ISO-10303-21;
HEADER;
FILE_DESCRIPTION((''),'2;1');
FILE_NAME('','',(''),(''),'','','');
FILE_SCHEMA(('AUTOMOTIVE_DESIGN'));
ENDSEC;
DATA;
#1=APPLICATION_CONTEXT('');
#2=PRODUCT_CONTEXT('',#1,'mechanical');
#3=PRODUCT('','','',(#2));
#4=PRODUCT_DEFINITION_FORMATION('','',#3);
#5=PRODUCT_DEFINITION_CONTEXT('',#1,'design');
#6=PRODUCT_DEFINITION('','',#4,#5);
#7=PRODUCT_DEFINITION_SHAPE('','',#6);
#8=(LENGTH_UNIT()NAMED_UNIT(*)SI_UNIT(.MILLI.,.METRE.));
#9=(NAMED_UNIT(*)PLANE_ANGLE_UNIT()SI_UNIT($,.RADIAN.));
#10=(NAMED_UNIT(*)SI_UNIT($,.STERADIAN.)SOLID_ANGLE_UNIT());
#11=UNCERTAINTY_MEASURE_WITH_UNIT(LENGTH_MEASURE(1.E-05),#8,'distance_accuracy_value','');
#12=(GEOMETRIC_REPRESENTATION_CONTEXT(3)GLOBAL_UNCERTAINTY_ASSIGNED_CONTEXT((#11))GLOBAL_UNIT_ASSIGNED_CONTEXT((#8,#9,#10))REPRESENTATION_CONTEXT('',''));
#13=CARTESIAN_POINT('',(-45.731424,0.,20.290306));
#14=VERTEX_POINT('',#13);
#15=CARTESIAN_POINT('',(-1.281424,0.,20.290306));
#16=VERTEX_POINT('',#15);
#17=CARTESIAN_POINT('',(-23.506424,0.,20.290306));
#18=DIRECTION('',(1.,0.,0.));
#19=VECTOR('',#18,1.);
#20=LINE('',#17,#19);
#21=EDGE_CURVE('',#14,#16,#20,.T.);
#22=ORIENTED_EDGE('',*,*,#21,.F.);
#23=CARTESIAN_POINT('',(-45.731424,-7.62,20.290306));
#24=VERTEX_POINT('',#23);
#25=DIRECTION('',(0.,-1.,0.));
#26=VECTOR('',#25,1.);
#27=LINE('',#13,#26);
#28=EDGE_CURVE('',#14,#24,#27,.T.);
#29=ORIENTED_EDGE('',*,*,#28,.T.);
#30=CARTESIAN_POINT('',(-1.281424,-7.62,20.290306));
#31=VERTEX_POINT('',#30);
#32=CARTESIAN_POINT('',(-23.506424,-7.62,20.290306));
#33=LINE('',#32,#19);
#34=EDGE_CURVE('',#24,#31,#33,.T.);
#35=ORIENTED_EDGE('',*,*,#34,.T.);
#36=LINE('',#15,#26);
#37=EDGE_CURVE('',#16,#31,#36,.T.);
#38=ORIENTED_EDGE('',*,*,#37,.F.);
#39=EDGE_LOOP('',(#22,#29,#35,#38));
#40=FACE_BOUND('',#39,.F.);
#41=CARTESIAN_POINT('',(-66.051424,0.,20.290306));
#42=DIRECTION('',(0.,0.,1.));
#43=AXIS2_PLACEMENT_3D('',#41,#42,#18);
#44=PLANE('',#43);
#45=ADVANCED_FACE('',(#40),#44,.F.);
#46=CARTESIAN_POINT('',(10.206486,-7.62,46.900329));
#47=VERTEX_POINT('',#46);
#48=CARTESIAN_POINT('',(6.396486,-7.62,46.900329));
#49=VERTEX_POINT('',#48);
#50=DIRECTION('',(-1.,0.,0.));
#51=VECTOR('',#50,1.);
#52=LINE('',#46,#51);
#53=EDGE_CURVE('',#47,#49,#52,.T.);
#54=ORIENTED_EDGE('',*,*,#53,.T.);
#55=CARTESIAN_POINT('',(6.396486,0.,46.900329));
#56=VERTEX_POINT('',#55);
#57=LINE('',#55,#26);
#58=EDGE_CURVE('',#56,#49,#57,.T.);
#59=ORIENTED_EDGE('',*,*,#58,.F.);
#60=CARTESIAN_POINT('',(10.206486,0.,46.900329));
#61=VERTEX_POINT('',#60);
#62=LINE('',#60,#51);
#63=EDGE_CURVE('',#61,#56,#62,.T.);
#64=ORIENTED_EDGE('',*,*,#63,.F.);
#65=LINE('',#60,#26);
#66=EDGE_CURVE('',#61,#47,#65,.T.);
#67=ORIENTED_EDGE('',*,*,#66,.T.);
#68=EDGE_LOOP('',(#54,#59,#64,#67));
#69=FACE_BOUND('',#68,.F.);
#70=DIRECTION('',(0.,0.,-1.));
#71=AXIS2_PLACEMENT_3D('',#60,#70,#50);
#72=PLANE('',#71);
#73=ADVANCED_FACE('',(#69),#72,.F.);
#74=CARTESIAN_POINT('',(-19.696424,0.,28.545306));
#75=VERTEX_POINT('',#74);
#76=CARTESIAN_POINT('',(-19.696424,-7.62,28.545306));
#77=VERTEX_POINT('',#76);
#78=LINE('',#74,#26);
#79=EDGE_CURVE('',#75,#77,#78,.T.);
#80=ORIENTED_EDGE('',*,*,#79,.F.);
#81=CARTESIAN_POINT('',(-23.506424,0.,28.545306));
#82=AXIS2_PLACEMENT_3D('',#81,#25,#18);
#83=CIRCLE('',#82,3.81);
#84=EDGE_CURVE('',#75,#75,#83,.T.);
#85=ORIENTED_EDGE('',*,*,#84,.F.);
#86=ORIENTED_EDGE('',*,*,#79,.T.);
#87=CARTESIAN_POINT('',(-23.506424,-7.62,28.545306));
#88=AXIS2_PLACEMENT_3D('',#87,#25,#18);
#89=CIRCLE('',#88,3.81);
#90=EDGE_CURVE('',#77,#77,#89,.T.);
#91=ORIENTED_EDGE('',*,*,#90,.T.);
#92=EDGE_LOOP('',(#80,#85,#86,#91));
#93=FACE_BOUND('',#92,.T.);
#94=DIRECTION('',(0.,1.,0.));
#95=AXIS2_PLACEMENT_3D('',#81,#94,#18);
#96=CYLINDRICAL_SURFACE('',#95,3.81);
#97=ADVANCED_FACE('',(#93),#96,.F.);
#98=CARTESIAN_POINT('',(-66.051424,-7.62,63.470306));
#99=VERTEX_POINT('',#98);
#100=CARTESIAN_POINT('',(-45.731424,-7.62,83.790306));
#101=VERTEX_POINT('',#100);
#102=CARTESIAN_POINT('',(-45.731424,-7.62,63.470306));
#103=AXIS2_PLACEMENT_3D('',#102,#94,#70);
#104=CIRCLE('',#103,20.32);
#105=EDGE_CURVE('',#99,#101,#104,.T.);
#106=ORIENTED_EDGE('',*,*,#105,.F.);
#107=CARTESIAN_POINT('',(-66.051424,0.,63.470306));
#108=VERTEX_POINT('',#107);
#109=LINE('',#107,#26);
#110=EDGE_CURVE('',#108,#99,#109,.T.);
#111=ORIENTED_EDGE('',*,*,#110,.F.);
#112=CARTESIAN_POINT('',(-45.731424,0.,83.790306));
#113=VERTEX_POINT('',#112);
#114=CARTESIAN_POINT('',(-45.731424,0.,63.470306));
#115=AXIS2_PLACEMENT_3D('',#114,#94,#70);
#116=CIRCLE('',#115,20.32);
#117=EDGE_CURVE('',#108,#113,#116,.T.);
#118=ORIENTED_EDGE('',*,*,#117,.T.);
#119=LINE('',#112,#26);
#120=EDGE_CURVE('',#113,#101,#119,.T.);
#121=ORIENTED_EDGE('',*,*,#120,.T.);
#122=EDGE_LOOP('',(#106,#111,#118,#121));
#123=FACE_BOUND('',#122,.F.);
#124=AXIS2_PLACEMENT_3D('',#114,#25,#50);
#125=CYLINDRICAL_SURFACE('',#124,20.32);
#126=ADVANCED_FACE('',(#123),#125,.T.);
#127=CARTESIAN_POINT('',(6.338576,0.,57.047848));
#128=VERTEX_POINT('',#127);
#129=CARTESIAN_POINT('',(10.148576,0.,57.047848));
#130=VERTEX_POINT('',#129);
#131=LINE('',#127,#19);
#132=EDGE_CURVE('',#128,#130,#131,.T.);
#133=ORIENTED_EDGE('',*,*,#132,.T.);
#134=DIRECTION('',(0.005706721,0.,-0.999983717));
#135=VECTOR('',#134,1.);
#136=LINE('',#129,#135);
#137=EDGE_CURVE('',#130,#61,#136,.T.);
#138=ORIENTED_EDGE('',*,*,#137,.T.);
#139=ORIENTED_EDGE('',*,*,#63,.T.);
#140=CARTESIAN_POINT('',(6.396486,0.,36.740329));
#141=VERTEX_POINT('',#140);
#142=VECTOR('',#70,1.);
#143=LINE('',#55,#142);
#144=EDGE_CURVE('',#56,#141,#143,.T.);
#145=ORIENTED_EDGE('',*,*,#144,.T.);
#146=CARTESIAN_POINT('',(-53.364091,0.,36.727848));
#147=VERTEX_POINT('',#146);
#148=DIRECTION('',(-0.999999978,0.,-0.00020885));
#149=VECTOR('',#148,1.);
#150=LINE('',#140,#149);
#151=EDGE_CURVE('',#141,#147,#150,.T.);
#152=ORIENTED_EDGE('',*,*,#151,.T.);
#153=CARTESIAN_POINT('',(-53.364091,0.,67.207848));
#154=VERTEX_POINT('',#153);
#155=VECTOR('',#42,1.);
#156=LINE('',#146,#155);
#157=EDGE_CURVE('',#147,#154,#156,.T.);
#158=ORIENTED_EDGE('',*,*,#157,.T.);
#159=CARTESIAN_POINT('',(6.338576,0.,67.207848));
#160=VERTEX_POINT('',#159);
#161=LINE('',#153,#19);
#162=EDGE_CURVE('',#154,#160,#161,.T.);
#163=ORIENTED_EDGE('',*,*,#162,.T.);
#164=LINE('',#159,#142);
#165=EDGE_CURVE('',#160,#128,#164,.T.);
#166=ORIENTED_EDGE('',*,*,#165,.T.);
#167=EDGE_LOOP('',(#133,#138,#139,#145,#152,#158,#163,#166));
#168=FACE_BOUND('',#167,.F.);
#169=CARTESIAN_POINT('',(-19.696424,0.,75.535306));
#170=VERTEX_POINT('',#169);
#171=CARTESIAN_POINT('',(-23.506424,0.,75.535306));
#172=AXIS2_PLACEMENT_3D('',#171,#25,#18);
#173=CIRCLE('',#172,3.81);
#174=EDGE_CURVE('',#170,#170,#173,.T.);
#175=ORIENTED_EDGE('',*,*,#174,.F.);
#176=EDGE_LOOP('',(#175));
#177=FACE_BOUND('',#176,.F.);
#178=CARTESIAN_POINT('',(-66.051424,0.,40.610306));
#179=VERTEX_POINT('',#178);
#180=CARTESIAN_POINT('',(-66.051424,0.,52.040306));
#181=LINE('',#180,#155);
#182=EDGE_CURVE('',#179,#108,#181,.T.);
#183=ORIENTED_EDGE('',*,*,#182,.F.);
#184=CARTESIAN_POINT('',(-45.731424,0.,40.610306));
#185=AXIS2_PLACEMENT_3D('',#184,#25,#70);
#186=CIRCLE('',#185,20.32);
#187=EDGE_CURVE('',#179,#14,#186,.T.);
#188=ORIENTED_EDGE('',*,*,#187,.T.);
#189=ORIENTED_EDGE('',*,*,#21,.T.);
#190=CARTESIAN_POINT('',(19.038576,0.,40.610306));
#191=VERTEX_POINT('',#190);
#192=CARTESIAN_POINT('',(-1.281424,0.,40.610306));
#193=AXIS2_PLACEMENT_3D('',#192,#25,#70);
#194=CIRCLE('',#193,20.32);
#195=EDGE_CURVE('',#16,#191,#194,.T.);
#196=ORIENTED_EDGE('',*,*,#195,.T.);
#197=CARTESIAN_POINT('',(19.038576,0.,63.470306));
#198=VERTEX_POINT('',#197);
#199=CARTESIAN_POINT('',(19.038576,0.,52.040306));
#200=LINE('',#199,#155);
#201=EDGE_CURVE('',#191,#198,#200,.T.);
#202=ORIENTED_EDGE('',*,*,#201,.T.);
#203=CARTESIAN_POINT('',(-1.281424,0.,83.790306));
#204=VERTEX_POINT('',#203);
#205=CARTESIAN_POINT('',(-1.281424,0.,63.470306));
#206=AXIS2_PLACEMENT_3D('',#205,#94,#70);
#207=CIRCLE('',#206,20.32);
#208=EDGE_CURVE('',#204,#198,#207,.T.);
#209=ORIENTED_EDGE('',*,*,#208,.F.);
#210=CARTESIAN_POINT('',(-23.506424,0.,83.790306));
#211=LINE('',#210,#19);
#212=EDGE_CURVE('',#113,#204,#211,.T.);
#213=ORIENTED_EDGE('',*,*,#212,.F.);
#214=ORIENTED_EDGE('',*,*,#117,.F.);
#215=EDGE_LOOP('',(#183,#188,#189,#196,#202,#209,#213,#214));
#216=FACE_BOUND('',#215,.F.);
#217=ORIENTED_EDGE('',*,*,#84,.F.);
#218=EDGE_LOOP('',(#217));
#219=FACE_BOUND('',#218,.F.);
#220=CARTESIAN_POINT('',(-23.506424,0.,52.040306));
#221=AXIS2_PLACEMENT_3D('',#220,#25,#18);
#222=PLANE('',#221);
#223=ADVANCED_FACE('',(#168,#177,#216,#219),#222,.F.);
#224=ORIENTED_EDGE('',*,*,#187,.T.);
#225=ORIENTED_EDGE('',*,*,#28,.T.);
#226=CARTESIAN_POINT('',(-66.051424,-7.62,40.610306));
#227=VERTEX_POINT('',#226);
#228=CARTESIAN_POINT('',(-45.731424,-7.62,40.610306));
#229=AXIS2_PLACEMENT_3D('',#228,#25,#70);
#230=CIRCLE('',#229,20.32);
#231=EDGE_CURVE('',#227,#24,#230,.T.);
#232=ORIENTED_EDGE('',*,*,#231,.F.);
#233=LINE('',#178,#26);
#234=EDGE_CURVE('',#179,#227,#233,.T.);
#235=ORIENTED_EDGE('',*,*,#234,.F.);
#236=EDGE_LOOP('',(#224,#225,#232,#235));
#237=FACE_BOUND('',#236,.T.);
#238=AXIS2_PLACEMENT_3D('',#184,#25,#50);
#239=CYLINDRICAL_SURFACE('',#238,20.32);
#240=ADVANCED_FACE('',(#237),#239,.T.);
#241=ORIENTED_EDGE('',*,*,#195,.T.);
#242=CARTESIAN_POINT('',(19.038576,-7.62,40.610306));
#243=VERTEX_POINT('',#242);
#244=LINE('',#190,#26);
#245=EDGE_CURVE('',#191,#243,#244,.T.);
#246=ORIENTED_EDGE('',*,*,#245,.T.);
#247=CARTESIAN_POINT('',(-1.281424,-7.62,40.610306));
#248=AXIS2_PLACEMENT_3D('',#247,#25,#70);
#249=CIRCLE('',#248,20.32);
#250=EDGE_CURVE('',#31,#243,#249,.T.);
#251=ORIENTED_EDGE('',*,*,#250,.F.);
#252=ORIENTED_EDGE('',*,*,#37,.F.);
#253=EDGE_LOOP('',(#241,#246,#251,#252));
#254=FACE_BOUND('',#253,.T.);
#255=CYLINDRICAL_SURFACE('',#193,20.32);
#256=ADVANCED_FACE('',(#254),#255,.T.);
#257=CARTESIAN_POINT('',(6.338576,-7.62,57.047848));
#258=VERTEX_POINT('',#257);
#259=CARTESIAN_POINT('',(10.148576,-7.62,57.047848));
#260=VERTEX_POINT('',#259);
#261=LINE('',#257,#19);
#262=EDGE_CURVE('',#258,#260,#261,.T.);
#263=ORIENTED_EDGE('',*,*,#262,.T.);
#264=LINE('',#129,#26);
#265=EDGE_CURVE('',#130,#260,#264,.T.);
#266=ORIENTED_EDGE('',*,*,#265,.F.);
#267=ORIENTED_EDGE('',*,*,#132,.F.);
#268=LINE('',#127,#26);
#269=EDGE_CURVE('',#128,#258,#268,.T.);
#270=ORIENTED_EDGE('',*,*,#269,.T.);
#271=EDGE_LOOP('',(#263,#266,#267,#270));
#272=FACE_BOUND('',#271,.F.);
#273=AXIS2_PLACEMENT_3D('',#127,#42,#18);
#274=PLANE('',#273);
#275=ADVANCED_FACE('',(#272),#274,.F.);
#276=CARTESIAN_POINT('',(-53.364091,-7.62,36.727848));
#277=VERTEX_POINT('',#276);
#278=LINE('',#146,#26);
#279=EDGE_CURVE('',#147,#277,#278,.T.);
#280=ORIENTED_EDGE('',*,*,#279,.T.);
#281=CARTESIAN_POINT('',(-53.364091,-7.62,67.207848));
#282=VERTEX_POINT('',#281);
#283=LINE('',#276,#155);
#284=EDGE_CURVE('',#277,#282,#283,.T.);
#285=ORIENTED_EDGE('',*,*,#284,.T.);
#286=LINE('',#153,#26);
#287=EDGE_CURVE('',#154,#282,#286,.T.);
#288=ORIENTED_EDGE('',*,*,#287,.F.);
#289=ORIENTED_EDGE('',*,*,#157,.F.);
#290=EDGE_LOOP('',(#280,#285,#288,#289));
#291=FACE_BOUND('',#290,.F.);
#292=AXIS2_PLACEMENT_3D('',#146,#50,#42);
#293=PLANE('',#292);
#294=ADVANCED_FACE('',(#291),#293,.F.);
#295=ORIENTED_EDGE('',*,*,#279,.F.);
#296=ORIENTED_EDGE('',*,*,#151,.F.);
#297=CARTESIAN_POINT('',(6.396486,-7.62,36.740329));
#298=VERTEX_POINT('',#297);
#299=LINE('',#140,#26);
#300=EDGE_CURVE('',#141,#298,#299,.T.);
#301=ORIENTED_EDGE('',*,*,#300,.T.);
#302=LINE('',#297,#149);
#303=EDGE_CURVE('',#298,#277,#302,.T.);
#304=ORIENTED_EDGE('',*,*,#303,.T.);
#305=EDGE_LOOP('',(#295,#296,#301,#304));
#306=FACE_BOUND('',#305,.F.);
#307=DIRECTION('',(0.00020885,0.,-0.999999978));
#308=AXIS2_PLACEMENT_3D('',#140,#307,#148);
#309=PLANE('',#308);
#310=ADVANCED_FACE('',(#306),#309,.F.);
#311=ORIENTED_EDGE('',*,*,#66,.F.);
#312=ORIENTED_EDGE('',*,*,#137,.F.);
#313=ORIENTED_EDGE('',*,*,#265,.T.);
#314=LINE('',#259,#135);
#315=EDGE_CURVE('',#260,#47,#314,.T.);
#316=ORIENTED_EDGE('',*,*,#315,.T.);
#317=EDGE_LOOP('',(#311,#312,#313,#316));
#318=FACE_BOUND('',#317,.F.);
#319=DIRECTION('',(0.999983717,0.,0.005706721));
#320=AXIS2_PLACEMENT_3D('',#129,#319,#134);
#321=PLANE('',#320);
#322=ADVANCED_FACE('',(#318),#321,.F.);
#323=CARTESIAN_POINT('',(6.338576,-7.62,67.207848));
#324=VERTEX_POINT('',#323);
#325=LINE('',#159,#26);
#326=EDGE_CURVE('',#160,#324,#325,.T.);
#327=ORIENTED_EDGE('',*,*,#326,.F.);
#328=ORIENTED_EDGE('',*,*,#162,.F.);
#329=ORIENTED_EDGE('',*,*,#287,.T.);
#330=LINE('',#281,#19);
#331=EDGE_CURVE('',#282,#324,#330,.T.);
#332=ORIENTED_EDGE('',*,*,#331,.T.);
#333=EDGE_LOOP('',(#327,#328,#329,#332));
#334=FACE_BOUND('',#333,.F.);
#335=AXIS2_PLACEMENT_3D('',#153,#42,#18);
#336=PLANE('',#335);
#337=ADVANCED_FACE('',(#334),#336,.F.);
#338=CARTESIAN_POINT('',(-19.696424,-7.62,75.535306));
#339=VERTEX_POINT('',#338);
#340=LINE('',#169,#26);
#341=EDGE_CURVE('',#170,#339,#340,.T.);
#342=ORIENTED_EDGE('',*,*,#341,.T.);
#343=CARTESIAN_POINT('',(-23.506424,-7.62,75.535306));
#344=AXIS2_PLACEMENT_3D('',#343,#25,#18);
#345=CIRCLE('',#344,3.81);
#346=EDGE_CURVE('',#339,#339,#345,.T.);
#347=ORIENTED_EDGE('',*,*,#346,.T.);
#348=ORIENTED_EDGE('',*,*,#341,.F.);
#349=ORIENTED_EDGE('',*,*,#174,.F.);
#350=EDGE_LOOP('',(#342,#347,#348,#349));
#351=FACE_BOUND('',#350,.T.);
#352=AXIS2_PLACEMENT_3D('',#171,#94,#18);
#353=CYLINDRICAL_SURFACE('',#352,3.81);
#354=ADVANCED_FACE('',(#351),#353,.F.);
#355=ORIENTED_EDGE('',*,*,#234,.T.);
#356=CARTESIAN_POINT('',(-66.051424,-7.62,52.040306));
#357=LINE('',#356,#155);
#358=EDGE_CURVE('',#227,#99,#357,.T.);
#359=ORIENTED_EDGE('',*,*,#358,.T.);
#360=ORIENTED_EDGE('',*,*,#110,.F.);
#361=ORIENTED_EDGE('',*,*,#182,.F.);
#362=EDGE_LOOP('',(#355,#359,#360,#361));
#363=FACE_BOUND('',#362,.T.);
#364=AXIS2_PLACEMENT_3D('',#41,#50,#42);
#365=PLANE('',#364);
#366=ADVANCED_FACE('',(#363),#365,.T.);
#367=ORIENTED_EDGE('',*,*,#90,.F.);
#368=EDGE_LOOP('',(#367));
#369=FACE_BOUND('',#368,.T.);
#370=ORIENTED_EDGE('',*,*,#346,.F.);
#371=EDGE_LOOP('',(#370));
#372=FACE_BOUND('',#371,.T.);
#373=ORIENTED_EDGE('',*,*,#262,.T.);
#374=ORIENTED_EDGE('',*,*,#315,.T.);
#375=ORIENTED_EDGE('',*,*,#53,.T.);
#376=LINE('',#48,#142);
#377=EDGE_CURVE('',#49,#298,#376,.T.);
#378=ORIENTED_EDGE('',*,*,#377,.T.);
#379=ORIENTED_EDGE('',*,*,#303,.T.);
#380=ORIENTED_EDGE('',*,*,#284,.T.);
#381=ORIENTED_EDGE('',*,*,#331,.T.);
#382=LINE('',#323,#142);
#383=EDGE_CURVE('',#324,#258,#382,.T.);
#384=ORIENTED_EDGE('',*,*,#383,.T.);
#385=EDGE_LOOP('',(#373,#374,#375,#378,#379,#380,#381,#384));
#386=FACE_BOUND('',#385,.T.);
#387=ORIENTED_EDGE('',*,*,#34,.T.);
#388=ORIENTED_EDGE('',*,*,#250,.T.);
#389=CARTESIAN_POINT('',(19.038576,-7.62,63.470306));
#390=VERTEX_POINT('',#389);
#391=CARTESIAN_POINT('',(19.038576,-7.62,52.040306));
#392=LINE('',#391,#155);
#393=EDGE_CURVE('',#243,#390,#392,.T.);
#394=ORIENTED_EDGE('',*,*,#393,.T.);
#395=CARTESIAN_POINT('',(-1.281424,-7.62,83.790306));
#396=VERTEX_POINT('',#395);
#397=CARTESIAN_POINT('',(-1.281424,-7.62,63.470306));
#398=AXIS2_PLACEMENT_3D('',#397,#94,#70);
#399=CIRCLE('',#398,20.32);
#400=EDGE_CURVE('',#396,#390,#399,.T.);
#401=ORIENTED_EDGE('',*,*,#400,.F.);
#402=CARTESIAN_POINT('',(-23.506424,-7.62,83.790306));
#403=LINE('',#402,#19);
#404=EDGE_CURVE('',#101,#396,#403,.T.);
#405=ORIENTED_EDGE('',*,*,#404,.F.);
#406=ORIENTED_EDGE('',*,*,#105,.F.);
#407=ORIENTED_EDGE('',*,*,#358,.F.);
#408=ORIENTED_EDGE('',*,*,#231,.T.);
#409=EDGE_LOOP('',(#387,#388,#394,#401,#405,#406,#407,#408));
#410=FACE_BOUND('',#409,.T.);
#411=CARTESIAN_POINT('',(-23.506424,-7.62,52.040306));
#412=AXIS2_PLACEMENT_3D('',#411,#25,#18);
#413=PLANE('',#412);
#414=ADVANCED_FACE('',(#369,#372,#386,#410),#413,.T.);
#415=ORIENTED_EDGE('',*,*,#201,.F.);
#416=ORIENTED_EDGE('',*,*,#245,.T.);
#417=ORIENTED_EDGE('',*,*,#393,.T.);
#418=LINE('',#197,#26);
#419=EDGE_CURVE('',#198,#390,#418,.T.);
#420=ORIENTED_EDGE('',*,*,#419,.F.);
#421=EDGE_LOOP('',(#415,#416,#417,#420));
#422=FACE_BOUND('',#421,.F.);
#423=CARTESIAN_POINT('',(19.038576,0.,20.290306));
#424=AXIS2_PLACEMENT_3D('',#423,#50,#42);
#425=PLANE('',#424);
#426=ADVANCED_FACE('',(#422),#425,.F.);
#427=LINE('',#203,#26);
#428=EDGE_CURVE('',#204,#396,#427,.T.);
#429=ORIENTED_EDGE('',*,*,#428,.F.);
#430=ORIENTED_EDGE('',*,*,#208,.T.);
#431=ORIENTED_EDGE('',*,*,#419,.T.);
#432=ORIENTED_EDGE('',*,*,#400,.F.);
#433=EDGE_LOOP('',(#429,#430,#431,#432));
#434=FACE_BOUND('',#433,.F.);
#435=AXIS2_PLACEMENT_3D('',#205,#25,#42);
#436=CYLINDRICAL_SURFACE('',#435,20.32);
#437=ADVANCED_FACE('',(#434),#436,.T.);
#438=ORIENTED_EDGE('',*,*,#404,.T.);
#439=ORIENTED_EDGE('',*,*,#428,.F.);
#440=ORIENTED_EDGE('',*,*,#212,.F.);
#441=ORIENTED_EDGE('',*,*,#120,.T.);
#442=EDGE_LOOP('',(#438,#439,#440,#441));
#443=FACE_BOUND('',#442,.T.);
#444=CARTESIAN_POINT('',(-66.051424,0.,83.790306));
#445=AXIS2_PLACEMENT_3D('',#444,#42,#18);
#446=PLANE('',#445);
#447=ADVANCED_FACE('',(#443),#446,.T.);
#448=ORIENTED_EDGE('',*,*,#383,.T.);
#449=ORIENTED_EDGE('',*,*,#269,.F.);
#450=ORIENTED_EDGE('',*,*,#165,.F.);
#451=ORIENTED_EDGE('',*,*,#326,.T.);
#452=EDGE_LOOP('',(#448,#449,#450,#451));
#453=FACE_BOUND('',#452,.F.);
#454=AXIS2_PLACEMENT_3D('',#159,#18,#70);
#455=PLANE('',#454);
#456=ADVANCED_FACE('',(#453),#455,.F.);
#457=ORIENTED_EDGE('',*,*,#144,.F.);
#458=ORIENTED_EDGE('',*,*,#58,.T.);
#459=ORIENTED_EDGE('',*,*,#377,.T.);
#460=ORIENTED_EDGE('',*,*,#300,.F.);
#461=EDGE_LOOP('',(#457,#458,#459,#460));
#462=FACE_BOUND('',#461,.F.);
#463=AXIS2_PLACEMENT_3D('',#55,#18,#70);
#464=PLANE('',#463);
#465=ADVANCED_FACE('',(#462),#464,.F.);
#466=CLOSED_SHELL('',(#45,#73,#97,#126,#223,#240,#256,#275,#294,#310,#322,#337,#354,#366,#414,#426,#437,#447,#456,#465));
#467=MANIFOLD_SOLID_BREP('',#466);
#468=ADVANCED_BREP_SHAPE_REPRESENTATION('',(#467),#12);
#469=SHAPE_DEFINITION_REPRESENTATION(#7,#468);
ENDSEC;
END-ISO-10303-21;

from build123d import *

# Parameters (mm, degrees)
F0_W     = 85.09
F0_H     = 63.5
F0_R     = 3.81
F1_DEPTH = 7.62
F2_R     = 20.32


with BuildPart() as f1:
    # F0 (on Front) → F1 (new body)
    with BuildSketch(Plane.XZ):
        with Locations((-23.506424, 52.040306)):
            Rectangle(F0_W, F0_H)
        with Locations((-23.506424, 28.545306)):
            Circle(F0_R, mode=Mode.SUBTRACT)
        Polygon((-53.364091, 67.207848), (-42.140279, 67.207848), (6.338576, 67.207848), (6.338576, 57.047848), (10.148576, 57.047848), (10.206486, 46.900329), (6.396486, 46.900329), (6.396486, 36.740329), (-53.364091, 36.727848), align=None, mode=Mode.SUBTRACT)
        with Locations((-23.506424, 75.535306)):
            Circle(F0_R, mode=Mode.SUBTRACT)
    extrude(amount=F1_DEPTH)

    # F2
    f2_edges = [f1.edges().sort_by_distance(p)[0] for p in [
        (-66.051424, -3.81, 83.790306),
        (-66.051424, -3.81, 20.290306),
        (19.038576, -3.81, 20.290306),
        (19.038576, -3.81, 83.790306),
    ]]
    fillet(f2_edges, radius=F2_R)


solid = f1.part
